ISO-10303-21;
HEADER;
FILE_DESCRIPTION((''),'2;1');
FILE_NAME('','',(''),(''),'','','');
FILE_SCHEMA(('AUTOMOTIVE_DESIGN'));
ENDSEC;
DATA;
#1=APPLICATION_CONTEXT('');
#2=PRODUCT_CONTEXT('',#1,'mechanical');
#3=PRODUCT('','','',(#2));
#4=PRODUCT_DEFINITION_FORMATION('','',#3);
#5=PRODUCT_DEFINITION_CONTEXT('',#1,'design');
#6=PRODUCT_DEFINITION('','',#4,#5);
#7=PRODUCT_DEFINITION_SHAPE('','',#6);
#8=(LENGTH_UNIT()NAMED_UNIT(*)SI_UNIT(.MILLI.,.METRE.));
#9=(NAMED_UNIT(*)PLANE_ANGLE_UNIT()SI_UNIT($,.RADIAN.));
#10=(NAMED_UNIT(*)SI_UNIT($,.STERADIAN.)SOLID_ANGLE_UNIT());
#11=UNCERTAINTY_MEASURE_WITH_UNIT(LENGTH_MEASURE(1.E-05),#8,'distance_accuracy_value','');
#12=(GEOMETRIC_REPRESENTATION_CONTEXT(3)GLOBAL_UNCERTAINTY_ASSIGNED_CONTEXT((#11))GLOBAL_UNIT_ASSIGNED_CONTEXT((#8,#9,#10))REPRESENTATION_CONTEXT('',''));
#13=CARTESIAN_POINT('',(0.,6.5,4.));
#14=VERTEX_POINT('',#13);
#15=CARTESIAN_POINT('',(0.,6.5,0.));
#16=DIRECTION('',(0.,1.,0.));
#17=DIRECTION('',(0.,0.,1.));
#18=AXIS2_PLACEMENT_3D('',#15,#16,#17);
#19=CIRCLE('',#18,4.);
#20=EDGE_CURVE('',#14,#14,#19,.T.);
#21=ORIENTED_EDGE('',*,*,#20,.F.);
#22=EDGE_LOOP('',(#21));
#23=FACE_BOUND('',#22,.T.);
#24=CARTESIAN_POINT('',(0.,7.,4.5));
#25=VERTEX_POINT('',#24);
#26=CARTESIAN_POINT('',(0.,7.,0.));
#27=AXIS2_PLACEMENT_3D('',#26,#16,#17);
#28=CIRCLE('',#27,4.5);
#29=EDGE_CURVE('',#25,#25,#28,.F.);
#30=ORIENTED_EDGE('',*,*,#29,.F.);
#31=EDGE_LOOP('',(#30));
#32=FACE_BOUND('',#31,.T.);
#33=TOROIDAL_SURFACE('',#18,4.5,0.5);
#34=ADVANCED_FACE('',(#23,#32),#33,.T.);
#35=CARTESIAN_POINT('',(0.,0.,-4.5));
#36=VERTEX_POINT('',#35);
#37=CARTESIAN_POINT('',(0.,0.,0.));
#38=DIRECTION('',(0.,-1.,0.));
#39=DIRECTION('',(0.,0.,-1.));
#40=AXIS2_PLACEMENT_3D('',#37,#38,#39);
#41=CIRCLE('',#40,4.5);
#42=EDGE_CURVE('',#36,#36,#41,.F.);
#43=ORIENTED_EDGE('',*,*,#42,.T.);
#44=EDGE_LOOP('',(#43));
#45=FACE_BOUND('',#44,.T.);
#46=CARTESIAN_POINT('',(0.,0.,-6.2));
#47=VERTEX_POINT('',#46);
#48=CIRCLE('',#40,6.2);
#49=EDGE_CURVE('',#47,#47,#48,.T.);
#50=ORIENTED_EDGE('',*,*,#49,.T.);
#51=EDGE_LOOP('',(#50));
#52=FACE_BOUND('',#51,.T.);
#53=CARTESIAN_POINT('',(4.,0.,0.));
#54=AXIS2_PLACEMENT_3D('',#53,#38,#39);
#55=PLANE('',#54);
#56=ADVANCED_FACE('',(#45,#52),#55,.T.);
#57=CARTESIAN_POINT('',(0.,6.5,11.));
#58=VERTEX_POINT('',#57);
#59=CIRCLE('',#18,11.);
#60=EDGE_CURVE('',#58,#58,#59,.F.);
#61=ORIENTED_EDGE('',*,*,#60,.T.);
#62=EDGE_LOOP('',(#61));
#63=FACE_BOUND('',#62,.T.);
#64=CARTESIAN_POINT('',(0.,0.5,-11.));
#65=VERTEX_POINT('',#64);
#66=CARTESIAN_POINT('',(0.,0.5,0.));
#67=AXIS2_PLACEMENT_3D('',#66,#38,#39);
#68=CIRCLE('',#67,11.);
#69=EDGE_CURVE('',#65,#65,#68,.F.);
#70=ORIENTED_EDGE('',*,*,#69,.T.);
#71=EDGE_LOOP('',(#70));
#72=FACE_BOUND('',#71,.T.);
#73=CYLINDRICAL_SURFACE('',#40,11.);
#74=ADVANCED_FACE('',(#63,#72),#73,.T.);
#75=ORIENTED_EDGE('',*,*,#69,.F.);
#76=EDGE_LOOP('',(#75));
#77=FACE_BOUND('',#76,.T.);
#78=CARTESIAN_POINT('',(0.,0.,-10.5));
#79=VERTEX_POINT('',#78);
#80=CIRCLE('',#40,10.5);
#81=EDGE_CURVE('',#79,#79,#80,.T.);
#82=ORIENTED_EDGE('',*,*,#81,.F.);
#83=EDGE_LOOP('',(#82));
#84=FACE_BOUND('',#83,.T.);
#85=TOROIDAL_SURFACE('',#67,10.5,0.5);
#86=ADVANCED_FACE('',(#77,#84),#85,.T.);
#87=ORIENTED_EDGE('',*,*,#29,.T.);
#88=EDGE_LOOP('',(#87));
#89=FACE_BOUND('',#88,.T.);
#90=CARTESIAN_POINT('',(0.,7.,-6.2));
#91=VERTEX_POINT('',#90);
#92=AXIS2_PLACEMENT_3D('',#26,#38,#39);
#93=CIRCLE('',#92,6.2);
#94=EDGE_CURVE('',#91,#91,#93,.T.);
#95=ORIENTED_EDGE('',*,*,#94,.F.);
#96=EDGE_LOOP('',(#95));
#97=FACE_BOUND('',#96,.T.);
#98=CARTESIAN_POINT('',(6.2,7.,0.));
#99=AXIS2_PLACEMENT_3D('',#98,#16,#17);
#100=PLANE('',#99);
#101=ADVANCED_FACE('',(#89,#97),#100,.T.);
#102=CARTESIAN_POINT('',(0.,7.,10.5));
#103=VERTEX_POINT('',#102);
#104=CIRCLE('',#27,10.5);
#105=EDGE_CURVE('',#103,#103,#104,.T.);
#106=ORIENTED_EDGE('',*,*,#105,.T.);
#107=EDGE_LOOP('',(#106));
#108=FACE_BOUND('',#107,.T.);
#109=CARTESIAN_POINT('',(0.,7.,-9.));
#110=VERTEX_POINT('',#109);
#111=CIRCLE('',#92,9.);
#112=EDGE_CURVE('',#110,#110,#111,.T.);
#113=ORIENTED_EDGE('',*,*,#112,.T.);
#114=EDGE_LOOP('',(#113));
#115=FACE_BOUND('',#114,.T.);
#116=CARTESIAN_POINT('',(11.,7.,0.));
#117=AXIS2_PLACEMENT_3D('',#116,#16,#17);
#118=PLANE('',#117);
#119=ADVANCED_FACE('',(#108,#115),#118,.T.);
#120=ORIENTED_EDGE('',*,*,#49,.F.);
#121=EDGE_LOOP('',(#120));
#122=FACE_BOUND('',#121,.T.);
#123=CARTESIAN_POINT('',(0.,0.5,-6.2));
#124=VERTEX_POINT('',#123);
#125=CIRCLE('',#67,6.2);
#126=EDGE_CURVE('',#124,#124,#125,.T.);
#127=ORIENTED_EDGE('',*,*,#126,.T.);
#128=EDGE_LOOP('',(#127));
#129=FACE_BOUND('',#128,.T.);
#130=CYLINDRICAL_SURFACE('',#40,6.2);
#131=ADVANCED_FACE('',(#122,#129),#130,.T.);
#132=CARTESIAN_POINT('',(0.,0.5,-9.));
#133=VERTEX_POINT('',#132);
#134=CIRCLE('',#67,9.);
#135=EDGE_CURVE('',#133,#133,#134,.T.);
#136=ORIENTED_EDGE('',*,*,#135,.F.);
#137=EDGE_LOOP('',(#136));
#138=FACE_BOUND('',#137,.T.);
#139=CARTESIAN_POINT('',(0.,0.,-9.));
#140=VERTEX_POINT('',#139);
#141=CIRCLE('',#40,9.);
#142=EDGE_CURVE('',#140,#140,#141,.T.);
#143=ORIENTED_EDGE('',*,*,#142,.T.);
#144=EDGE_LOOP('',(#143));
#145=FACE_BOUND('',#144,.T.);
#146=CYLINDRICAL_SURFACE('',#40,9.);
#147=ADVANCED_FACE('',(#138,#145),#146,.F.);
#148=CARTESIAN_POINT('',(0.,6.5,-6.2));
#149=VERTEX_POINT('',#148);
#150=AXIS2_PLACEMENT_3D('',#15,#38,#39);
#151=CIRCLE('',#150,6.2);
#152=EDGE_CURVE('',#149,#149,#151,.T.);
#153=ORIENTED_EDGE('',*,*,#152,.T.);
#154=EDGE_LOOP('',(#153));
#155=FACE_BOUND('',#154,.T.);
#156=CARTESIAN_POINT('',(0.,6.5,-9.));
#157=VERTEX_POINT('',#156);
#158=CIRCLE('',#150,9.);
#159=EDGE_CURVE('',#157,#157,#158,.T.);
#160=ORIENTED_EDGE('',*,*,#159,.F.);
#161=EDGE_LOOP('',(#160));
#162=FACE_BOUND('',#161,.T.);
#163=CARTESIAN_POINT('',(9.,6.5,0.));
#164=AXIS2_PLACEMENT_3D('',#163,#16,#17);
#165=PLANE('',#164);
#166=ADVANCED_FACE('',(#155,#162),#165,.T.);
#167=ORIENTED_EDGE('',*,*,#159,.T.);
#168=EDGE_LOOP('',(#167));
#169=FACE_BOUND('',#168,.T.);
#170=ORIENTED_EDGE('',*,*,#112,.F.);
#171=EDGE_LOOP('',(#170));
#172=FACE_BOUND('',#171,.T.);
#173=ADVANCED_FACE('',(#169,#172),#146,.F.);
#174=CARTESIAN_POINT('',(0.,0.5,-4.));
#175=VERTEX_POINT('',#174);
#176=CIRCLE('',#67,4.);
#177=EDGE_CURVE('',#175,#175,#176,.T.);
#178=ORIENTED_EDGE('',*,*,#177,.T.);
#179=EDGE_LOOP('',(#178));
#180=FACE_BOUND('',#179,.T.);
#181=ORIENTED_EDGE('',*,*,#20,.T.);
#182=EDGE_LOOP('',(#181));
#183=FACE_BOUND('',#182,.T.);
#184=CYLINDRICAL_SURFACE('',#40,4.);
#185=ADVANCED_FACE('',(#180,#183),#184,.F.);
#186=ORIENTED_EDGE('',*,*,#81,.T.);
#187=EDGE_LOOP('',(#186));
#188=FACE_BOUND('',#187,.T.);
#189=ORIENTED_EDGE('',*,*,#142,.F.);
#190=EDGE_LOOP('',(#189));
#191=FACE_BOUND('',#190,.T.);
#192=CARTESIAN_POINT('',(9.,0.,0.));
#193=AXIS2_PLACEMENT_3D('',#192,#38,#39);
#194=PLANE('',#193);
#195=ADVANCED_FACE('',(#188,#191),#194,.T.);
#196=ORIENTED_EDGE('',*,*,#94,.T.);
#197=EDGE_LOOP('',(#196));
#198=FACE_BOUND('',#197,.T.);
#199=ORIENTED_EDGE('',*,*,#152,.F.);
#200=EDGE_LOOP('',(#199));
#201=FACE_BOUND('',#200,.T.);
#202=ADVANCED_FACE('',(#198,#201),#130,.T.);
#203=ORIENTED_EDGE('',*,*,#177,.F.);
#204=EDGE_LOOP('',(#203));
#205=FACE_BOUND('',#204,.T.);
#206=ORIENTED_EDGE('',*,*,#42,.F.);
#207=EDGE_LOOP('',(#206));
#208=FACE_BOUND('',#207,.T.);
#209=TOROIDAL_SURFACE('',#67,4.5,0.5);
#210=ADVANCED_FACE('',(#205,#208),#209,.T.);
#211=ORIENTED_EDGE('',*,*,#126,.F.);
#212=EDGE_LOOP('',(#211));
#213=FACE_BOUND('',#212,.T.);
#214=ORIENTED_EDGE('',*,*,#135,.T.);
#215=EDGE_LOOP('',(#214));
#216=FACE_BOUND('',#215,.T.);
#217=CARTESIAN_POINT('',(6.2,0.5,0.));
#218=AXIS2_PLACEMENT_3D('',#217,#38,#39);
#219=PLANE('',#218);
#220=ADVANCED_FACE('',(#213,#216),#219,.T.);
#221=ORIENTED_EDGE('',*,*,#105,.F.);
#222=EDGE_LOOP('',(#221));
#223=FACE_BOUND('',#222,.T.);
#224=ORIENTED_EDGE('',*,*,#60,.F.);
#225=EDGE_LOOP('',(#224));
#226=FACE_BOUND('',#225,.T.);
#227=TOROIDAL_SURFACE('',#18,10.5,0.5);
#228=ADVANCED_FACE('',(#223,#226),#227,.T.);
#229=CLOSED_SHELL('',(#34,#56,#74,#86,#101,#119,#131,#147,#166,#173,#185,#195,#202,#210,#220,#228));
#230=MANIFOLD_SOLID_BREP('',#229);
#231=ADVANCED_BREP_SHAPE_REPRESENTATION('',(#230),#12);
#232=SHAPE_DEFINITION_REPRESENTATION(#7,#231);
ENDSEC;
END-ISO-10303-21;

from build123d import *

# Parameters (mm, degrees)
VERRUNDUNG1_R = 0.5


with BuildPart() as part:
    # Skizze1 → Rotation1 (revolve)
    with BuildSketch(Plane.XY, mode=Mode.PRIVATE) as rotation1_sk:
        Polygon((4, 0), (6.2, 0), (6.2, 0.5), (9, 0.5), (9, 0), (11, 0), (11, 7), (9, 7), (9, 6.5), (6.2, 6.5), (6.2, 7), (4, 7), align=None)
    revolve(rotation1_sk.sketch.rotate(Axis((0, 0, 0), (0, 1, 0)), 90), axis=Axis((0, 0, 0), (0, 1, 0)))

    # Verrundung1
    verrundung1_edges = [part.edges().sort_by_distance(p)[0] for p in [
        (0, 7, 11),
        (0, 0, 11),
        (0, 0, 4),
        (0, 7, 4),
    ]]
    fillet(verrundung1_edges, radius=VERRUNDUNG1_R)


solid = part.part
